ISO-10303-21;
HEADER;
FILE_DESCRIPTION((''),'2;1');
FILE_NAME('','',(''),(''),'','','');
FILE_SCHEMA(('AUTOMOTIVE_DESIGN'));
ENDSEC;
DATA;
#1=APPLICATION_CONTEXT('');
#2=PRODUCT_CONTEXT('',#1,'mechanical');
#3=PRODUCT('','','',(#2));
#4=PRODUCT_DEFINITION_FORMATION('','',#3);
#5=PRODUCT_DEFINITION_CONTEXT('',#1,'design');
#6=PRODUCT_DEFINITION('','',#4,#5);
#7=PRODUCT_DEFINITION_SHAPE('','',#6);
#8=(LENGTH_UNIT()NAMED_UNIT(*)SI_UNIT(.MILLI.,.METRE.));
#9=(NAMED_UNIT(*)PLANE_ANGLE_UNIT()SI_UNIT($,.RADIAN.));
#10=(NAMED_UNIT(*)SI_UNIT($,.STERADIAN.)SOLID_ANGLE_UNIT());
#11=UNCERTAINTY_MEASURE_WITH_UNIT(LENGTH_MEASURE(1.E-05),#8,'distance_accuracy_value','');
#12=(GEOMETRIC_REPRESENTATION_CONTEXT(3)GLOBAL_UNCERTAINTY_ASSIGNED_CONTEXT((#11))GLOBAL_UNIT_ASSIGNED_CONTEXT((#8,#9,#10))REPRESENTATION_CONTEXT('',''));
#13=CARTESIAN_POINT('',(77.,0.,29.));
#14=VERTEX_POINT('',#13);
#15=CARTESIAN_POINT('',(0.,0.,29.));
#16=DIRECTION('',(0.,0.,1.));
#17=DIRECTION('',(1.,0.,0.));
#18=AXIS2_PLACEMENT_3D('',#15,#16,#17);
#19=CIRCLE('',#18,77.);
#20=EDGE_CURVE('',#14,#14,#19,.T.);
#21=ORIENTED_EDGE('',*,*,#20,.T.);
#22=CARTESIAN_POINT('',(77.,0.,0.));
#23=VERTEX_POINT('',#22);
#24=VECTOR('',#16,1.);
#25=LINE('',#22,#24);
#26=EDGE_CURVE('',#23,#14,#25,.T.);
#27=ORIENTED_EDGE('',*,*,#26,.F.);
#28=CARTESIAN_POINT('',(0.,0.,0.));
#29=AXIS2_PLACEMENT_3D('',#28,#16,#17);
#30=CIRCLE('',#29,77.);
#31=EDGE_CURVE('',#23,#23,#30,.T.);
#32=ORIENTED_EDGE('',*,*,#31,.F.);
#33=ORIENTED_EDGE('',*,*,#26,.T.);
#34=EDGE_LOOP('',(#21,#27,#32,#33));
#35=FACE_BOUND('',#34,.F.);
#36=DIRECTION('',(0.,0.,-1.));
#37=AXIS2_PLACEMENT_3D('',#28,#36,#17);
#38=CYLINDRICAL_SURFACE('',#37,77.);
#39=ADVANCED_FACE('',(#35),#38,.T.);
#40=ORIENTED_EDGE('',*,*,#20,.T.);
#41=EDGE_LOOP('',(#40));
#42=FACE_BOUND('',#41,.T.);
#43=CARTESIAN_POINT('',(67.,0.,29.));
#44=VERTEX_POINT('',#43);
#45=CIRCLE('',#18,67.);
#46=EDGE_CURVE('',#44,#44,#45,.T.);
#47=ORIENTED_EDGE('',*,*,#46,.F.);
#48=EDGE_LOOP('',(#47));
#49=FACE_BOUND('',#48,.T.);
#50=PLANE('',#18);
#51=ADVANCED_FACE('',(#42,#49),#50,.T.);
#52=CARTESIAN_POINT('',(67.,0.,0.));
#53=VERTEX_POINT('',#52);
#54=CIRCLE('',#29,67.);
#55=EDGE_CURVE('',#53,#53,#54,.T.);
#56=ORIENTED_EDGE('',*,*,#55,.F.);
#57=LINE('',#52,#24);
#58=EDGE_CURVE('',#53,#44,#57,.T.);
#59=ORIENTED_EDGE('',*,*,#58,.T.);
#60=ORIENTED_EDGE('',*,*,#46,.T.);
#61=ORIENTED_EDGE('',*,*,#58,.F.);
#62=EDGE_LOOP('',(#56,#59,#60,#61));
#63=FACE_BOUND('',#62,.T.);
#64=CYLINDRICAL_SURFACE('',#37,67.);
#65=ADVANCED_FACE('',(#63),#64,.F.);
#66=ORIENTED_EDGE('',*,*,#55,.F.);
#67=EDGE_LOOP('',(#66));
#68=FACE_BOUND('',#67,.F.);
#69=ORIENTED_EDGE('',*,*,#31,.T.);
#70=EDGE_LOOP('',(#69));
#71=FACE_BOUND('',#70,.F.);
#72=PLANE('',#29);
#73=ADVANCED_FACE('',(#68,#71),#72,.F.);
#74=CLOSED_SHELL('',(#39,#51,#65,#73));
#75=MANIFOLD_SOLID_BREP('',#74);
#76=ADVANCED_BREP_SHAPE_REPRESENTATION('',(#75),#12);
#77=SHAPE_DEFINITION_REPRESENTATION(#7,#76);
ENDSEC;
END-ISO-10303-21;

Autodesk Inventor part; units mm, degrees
ref_plane "YZ Plane" through (0, 0, 0) normal (1, 0, 0) x (0, 1, 0)
ref_plane "XZ Plane" through (0, 0, 0) normal (0, 1, 0) x (-1, 0, 0)
ref_plane "XY Plane" through (0, 0, 0) normal (0, 0, 1) x (1, 0, 0)
sketch "スケッチ1" plane through (0, 0, 0) normal (0, 0, 1) x (1, 0, 0)
  circle A0 centre (0, 0) radius 67
  circle A1 centre (0, 0) radius 77
  dimension "d0" = 134
  dimension "d1" = 154
extrude "押し出し1" add sketch "スケッチ1" along normal blind 29
properties part number "TH22_Urethane_roller_sn" material "ポリスチレン"
